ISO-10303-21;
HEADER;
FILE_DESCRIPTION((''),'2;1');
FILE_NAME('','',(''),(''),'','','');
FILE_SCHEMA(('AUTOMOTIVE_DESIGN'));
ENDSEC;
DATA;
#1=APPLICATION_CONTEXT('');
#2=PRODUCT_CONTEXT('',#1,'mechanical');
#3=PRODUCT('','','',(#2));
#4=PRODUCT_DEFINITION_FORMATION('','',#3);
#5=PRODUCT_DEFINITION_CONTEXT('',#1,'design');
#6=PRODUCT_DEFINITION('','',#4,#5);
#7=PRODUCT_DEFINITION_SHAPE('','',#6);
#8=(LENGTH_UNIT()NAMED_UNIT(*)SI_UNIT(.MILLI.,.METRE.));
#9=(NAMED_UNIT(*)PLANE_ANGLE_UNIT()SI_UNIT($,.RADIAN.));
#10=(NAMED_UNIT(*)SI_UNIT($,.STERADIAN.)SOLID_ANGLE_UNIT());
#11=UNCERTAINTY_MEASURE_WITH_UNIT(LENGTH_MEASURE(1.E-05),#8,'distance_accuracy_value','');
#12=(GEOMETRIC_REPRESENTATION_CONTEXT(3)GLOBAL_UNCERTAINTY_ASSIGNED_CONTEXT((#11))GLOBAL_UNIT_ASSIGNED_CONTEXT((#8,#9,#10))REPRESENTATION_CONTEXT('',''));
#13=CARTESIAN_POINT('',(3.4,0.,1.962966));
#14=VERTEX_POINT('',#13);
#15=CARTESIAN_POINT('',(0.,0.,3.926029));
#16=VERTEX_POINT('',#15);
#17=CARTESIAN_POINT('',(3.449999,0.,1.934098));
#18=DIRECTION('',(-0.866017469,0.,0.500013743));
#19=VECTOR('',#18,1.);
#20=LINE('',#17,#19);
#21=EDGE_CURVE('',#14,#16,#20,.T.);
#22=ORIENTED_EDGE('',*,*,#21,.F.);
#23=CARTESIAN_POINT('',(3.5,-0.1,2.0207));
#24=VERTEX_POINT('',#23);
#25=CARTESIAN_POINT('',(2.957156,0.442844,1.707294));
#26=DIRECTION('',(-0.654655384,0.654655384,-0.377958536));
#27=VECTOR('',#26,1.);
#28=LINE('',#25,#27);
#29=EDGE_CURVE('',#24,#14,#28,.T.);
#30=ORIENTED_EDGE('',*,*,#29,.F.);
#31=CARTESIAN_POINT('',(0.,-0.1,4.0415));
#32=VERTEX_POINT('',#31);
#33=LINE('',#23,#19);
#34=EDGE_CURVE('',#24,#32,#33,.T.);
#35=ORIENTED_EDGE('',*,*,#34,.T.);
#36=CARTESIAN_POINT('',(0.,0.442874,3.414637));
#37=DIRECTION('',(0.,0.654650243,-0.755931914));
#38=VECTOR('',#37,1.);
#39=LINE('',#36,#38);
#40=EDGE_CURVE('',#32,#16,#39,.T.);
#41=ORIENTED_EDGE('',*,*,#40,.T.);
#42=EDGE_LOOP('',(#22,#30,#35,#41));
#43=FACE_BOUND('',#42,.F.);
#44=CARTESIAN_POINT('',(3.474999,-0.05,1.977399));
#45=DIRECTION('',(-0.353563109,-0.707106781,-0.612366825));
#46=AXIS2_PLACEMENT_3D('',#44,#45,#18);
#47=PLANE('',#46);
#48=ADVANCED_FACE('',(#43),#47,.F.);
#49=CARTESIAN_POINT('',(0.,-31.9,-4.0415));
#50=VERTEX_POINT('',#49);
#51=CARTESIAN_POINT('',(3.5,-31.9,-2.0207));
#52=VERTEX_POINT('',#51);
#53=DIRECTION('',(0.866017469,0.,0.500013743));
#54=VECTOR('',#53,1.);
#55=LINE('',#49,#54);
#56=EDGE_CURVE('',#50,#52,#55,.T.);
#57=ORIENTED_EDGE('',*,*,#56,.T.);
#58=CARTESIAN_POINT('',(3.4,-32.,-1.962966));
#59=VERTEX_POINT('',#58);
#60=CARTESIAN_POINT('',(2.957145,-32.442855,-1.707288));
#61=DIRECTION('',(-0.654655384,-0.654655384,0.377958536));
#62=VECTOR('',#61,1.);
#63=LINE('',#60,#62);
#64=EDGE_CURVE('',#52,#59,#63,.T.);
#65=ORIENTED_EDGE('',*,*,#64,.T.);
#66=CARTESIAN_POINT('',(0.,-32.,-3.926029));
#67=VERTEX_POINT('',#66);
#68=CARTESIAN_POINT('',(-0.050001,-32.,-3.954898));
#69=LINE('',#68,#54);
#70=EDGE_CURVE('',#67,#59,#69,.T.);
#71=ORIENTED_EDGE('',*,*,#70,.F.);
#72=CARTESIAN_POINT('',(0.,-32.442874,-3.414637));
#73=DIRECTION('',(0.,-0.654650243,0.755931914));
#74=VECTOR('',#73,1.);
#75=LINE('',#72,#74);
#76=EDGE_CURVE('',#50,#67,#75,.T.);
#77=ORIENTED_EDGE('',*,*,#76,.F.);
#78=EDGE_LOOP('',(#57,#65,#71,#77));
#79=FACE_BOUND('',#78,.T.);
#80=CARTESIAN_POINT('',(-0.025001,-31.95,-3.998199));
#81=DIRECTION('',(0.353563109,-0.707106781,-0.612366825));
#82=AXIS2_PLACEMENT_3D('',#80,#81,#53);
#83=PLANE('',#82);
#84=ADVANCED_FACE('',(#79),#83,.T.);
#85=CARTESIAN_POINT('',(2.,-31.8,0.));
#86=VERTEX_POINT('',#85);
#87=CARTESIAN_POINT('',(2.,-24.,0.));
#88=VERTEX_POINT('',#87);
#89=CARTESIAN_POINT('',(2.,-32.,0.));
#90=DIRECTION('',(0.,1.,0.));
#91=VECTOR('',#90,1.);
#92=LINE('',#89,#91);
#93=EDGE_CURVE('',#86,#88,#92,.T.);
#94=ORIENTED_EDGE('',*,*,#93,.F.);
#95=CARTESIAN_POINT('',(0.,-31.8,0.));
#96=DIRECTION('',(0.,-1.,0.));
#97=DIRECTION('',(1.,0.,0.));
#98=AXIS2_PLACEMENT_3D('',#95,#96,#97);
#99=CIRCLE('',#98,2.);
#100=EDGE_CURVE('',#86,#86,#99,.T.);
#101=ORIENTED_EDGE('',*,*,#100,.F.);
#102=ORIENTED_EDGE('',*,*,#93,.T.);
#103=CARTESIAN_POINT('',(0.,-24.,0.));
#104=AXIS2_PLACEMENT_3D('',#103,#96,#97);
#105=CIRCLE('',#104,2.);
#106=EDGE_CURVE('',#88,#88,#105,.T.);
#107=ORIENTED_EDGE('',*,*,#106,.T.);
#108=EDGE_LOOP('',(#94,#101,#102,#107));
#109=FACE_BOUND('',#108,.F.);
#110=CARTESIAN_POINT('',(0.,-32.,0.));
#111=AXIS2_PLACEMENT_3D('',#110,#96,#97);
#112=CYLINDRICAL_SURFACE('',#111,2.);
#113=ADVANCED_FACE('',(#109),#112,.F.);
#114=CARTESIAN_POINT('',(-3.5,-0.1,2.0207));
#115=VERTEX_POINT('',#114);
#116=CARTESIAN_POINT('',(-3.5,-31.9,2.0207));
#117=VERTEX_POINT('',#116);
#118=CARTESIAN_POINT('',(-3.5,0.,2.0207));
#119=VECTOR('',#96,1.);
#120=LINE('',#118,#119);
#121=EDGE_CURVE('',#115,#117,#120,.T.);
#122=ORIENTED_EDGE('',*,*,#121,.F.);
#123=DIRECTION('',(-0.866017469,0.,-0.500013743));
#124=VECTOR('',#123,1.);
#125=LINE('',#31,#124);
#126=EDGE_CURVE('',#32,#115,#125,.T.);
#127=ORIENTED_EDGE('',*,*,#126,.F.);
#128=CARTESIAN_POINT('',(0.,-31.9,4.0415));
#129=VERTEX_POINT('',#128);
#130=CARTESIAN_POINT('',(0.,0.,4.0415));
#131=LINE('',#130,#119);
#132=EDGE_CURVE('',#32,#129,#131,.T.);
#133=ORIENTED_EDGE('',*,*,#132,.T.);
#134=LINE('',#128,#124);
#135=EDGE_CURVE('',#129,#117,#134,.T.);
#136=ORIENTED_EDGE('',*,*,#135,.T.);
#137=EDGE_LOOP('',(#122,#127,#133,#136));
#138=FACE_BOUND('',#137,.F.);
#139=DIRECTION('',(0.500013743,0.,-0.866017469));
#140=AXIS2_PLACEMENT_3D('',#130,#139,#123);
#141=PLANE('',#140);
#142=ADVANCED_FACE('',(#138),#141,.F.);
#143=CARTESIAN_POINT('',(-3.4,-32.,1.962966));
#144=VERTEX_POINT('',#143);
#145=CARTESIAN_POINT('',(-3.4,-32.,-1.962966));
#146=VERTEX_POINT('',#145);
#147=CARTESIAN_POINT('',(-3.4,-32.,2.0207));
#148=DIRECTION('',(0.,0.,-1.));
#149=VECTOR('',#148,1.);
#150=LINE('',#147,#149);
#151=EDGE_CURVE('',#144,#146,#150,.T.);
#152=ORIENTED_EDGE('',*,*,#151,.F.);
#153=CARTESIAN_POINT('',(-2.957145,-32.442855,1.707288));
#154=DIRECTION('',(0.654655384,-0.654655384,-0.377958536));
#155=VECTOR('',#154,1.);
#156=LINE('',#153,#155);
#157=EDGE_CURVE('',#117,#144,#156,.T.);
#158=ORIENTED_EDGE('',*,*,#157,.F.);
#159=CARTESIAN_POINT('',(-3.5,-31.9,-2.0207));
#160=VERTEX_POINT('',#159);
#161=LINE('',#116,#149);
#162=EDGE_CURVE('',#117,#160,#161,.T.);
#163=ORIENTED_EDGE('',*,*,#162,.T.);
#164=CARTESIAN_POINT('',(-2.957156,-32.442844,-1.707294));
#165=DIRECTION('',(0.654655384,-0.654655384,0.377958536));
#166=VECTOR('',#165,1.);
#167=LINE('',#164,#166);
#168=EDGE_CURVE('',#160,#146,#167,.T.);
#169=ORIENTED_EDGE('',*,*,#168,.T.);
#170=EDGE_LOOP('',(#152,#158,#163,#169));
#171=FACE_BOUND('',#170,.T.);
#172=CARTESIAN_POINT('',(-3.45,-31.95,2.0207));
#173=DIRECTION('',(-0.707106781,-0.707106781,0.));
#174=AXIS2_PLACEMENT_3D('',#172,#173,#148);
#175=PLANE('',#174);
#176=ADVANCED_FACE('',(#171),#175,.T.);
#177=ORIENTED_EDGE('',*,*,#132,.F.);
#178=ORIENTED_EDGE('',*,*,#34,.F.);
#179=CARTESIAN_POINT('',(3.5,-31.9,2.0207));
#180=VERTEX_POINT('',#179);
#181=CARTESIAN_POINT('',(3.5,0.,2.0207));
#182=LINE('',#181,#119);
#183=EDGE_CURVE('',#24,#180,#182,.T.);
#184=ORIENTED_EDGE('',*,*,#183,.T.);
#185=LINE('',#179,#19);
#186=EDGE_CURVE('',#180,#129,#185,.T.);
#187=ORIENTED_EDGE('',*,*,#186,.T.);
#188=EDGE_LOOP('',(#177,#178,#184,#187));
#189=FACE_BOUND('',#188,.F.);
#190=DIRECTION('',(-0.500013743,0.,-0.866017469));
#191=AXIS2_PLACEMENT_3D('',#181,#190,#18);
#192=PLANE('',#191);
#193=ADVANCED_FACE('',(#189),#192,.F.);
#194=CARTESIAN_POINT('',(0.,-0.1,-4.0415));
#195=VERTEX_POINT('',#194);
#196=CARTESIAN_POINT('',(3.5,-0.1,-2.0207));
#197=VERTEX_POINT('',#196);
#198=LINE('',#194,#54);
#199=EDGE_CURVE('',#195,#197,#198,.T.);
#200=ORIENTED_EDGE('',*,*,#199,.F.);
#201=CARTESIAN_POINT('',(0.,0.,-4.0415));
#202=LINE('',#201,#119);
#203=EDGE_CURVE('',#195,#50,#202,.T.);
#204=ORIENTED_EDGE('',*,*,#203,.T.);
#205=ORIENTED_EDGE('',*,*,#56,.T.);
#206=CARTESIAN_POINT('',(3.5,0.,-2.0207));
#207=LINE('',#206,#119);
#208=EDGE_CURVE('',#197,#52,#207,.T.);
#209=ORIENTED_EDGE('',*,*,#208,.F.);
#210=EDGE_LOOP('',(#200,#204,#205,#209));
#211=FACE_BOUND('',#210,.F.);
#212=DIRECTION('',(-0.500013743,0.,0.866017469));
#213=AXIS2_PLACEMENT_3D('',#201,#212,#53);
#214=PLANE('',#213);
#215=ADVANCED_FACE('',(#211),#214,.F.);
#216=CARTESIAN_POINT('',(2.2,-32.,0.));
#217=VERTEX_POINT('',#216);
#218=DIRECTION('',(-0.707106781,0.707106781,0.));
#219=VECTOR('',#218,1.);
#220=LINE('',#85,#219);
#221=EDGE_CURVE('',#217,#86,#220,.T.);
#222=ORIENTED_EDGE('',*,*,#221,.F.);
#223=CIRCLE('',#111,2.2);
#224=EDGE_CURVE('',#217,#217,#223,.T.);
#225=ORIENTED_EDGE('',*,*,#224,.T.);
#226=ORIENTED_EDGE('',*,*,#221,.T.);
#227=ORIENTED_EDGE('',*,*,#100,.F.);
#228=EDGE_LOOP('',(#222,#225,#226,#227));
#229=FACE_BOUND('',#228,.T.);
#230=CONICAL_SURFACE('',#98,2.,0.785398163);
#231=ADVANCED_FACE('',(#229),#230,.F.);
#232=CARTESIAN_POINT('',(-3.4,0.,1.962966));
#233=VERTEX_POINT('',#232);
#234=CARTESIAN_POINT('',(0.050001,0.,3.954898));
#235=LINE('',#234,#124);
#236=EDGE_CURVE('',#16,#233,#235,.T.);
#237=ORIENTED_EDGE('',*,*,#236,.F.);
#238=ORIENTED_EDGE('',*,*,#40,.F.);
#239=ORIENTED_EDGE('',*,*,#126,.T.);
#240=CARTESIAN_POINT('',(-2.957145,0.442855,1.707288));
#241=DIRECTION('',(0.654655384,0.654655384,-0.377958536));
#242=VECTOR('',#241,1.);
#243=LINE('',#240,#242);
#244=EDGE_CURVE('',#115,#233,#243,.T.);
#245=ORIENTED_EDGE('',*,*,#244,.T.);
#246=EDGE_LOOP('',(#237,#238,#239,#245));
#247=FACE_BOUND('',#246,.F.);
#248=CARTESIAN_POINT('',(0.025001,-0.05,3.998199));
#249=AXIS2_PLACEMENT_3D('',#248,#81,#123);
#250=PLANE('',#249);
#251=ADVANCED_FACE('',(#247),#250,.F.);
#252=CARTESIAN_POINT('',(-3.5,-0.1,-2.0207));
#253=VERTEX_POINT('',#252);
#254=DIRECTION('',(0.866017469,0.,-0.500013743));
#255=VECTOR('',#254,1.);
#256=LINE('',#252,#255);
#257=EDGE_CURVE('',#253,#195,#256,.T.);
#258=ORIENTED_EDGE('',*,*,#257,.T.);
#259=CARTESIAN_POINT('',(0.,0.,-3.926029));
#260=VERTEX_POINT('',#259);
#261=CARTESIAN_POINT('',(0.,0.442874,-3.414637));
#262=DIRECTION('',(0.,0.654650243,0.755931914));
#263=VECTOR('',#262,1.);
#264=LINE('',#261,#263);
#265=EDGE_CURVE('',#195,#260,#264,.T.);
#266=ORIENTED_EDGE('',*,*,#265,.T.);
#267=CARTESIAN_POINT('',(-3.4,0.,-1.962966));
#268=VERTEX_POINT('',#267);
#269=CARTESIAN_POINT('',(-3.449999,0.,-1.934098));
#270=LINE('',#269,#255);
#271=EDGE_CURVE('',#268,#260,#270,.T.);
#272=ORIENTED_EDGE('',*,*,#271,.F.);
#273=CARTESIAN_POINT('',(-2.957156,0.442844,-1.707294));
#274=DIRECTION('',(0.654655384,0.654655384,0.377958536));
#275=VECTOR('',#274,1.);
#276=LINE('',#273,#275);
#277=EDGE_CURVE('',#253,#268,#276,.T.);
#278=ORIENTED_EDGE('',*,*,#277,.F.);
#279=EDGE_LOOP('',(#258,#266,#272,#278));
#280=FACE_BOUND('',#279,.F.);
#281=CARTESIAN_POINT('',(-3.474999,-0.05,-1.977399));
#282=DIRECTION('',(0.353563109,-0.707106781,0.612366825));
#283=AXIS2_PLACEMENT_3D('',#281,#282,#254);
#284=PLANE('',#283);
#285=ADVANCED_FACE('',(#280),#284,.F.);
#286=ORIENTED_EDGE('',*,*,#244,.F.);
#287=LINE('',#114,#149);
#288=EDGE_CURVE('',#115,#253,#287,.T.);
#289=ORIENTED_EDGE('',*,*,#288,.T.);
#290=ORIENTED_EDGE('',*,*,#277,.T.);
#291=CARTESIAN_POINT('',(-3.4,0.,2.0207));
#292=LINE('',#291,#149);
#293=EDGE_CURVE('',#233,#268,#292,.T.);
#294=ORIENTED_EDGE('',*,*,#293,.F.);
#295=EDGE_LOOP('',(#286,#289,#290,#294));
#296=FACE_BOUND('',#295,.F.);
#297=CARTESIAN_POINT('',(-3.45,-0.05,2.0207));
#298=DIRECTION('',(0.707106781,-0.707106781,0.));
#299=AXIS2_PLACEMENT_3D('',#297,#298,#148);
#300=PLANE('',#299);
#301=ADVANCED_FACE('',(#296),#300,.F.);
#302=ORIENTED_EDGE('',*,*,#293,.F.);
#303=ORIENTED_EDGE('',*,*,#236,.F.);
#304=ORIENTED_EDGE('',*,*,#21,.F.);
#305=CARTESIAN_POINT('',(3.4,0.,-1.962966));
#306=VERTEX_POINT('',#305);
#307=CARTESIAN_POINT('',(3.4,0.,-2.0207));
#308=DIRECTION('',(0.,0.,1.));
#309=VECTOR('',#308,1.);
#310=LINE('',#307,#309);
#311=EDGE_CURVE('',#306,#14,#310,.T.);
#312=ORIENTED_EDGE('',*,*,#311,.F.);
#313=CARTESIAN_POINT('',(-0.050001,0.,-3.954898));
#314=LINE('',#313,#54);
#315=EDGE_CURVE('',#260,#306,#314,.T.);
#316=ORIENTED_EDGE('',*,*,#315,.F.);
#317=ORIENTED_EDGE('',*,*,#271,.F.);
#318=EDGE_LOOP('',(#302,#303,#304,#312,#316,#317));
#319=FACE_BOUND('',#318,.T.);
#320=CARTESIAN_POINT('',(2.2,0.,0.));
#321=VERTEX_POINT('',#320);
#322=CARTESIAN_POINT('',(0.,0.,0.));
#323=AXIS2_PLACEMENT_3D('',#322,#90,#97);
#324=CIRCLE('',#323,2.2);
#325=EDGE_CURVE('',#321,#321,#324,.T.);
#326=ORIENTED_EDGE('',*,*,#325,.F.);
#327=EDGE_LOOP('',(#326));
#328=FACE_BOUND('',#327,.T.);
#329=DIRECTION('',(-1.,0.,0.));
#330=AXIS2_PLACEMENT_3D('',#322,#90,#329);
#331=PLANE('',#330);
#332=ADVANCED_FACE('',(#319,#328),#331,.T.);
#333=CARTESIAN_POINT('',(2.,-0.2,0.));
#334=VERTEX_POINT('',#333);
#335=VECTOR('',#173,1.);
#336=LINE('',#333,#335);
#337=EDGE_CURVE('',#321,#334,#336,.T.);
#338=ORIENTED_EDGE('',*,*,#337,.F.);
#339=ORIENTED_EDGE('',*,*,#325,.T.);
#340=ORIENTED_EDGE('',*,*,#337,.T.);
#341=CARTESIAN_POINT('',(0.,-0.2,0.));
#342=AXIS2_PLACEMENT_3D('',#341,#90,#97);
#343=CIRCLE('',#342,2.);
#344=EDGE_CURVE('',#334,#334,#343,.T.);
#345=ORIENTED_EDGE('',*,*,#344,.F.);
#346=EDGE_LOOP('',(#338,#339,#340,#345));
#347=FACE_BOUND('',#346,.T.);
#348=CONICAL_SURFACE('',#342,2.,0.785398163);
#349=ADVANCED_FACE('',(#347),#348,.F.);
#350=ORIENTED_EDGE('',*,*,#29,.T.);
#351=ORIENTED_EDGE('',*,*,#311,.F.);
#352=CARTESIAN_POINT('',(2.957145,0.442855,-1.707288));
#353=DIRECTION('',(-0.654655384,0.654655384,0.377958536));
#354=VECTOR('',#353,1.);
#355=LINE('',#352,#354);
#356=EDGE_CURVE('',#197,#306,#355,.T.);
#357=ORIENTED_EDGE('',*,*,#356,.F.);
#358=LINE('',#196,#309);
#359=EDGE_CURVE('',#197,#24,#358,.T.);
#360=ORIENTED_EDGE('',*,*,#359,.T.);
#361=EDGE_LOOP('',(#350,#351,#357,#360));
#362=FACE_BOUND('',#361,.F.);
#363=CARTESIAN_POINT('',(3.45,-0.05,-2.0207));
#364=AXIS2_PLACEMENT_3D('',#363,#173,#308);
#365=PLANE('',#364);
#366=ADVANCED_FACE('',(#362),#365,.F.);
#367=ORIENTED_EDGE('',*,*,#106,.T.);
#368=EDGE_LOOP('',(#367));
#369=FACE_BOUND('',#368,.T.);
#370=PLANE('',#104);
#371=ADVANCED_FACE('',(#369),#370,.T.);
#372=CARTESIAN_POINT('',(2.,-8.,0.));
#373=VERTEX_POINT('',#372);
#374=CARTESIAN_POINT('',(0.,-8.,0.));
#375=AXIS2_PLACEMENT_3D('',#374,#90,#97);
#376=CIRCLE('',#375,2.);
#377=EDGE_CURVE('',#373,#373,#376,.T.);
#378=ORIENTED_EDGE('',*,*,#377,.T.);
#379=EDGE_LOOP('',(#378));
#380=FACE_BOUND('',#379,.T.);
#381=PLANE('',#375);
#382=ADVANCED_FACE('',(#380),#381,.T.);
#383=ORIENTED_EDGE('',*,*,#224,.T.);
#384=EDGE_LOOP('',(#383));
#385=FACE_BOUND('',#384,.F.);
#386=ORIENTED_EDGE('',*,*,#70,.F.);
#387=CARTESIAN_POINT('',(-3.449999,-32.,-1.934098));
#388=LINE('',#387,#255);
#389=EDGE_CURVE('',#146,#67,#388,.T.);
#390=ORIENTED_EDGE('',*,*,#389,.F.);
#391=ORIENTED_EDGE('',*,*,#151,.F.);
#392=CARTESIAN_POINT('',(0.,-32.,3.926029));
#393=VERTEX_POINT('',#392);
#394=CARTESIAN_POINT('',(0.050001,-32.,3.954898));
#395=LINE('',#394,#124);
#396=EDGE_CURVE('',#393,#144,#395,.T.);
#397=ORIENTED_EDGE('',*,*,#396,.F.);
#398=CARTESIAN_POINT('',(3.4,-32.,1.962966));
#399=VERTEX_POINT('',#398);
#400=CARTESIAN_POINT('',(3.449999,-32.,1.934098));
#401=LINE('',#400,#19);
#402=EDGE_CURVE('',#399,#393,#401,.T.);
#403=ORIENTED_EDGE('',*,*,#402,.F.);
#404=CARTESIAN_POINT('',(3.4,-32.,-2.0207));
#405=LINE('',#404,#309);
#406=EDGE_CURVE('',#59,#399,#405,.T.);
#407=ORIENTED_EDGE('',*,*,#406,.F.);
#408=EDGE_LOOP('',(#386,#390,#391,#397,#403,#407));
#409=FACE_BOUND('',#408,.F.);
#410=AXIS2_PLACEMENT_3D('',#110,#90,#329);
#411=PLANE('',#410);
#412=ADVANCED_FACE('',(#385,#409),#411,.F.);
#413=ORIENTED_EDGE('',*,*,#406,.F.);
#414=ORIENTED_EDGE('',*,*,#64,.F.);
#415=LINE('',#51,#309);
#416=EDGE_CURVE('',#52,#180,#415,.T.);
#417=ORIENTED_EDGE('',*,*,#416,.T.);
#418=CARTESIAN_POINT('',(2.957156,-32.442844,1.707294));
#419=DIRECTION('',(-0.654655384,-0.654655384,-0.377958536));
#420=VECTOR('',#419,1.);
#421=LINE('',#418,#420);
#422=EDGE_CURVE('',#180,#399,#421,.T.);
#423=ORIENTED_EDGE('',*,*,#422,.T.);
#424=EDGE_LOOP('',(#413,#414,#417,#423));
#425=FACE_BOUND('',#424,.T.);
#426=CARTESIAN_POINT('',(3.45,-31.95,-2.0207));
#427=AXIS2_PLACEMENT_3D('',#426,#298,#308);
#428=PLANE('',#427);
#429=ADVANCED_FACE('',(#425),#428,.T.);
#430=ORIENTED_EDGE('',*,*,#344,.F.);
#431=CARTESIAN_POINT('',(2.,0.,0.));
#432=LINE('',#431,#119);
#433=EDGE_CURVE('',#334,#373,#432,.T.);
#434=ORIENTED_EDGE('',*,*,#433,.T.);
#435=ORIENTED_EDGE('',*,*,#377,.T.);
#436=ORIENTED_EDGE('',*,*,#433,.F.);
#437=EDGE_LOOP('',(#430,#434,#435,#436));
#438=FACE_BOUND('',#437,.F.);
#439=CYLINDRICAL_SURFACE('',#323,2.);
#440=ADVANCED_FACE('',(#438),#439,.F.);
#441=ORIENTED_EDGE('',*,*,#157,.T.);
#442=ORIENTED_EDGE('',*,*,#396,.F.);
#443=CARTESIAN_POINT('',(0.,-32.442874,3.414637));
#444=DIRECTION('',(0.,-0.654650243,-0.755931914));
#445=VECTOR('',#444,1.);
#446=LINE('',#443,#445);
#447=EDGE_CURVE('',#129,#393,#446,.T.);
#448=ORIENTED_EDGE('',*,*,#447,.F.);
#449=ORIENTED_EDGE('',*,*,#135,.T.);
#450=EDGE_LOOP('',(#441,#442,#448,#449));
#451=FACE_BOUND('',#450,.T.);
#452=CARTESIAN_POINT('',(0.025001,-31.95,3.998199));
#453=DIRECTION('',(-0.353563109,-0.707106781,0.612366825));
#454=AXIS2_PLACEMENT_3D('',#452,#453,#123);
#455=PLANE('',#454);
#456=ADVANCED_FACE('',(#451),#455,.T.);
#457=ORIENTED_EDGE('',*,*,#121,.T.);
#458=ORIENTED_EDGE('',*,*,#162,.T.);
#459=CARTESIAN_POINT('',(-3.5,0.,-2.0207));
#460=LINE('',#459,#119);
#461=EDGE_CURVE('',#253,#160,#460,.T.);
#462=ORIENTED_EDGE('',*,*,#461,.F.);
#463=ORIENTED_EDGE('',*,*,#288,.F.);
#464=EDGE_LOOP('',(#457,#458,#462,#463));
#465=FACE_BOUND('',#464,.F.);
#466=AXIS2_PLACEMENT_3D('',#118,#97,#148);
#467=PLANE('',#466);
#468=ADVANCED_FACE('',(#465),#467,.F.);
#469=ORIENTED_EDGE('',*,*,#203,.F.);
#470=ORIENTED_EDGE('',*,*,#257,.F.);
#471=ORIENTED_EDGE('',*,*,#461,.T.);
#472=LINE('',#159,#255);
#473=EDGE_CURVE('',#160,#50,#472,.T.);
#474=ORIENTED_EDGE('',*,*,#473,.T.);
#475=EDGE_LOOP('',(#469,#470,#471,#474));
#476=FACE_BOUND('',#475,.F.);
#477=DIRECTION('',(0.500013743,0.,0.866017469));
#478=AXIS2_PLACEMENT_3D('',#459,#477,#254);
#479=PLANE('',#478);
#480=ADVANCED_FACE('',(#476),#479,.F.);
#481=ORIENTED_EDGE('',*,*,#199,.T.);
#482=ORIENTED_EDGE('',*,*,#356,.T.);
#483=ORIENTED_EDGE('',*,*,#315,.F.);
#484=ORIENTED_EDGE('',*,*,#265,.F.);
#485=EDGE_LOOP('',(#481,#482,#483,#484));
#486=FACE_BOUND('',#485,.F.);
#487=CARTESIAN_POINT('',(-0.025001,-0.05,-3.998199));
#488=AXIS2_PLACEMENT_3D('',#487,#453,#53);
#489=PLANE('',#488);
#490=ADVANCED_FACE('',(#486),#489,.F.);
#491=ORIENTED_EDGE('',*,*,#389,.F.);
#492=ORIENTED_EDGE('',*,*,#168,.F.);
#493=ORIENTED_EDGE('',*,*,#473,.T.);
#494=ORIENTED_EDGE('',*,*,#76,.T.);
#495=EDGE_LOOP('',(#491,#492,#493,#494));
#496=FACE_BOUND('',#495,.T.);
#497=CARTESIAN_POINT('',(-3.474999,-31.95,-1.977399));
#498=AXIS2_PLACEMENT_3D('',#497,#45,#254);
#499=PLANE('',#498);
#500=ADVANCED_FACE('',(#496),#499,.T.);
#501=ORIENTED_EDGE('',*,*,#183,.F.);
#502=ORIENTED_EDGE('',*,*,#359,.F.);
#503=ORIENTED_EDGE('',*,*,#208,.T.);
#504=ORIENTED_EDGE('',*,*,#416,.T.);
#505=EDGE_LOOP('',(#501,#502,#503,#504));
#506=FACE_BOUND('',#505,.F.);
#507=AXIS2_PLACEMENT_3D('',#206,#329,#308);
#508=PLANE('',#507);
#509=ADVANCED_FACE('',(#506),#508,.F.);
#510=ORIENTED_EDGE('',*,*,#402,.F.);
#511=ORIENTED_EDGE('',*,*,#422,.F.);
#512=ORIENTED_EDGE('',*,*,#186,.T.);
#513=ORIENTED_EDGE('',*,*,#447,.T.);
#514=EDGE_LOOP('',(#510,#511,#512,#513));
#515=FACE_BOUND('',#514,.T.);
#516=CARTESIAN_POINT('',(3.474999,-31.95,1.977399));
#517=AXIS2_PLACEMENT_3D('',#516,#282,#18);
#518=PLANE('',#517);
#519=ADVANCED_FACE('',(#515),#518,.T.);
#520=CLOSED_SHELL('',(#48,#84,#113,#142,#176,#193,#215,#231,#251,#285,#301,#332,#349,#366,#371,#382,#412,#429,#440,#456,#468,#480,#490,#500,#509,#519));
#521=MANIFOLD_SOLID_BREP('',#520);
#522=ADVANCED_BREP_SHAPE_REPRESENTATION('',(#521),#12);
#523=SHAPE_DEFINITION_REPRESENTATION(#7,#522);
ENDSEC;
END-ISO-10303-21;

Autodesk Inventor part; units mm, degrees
ref_plane "YZ Plane" through (0, 0, 0) normal (1, 0, 0) x (0, 1, 0)
ref_plane "XZ Plane" through (0, 0, 0) normal (0, 1, 0) x (-1, 0, 0)
ref_plane "XY Plane" through (0, 0, 0) normal (0, 0, 1) x (1, 0, 0)
sketch "Sketch1" plane through (0, 0, 0) normal (0, 1, 0) x (-1, 0, 0)
  line L0 (-3.5, -2.0207) -> (-3.5, 2.0207)
  line L1 (-3.5, 2.0207) -> (0, 4.0415)
  line L2 (0, 4.0415) -> (3.5, 2.0207)
  line L3 (3.5, 2.0207) -> (3.5, -2.0207)
  line L4 (3.5, -2.0207) -> (0, -4.0415)
  line L5 (0, -4.0415) -> (-3.5, -2.0207)
  point P0 (0, 0)
  point P1 (0, 0)
  dimension "d0" = 7
extrude "Extrusion1" add sketch "Sketch1" against normal blind 32
chamfer "Chamfer1" distance 0.1 angle 45 12 edges at (-1.75, -32, 3.0311) (1.75, -32, 3.0311) (3.5, -32, 0) (1.75, -32, -3.0311) (-1.75, -32, -3.0311) (-3.5, -32, 0) (1.75, 0, 3.0311) (-1.75, 0, 3.0311) (-3.5, 0, 0) (-1.75, 0, -3.0311) (1.75, 0, -3.0311) (3.5, 0, 0)
sketch "Sketch2" plane through (0, -32, 0) normal (0, -1, 0) x (1, 0, 0)
  circle A0 centre (0, 0) radius 2
  dimension "d6" = 4
extrude "Extrusion2" cut sketch "Sketch2" against normal blind 8
sketch "Sketch3" plane through (0, 0, 0) normal (0, 1, 0) x (1, 0, 0)
  circle A0 centre (0, 0) radius 2
  dimension "d9" = 4
extrude "Extrusion3" cut sketch "Sketch3" against normal blind 8
chamfer "Chamfer2" distance 0.2 angle 45 2 edges at (-2, 0, 0) (-2, -32, 0)
thread "Thread1" size "M4x0.7" class "6H" standard "ANSI Metric M Profile" full length
thread "Thread2" size "M4x0.7" class "6H" standard "ANSI Metric M Profile" full length
properties part number "09-0001" material "Aluminum 6061"
